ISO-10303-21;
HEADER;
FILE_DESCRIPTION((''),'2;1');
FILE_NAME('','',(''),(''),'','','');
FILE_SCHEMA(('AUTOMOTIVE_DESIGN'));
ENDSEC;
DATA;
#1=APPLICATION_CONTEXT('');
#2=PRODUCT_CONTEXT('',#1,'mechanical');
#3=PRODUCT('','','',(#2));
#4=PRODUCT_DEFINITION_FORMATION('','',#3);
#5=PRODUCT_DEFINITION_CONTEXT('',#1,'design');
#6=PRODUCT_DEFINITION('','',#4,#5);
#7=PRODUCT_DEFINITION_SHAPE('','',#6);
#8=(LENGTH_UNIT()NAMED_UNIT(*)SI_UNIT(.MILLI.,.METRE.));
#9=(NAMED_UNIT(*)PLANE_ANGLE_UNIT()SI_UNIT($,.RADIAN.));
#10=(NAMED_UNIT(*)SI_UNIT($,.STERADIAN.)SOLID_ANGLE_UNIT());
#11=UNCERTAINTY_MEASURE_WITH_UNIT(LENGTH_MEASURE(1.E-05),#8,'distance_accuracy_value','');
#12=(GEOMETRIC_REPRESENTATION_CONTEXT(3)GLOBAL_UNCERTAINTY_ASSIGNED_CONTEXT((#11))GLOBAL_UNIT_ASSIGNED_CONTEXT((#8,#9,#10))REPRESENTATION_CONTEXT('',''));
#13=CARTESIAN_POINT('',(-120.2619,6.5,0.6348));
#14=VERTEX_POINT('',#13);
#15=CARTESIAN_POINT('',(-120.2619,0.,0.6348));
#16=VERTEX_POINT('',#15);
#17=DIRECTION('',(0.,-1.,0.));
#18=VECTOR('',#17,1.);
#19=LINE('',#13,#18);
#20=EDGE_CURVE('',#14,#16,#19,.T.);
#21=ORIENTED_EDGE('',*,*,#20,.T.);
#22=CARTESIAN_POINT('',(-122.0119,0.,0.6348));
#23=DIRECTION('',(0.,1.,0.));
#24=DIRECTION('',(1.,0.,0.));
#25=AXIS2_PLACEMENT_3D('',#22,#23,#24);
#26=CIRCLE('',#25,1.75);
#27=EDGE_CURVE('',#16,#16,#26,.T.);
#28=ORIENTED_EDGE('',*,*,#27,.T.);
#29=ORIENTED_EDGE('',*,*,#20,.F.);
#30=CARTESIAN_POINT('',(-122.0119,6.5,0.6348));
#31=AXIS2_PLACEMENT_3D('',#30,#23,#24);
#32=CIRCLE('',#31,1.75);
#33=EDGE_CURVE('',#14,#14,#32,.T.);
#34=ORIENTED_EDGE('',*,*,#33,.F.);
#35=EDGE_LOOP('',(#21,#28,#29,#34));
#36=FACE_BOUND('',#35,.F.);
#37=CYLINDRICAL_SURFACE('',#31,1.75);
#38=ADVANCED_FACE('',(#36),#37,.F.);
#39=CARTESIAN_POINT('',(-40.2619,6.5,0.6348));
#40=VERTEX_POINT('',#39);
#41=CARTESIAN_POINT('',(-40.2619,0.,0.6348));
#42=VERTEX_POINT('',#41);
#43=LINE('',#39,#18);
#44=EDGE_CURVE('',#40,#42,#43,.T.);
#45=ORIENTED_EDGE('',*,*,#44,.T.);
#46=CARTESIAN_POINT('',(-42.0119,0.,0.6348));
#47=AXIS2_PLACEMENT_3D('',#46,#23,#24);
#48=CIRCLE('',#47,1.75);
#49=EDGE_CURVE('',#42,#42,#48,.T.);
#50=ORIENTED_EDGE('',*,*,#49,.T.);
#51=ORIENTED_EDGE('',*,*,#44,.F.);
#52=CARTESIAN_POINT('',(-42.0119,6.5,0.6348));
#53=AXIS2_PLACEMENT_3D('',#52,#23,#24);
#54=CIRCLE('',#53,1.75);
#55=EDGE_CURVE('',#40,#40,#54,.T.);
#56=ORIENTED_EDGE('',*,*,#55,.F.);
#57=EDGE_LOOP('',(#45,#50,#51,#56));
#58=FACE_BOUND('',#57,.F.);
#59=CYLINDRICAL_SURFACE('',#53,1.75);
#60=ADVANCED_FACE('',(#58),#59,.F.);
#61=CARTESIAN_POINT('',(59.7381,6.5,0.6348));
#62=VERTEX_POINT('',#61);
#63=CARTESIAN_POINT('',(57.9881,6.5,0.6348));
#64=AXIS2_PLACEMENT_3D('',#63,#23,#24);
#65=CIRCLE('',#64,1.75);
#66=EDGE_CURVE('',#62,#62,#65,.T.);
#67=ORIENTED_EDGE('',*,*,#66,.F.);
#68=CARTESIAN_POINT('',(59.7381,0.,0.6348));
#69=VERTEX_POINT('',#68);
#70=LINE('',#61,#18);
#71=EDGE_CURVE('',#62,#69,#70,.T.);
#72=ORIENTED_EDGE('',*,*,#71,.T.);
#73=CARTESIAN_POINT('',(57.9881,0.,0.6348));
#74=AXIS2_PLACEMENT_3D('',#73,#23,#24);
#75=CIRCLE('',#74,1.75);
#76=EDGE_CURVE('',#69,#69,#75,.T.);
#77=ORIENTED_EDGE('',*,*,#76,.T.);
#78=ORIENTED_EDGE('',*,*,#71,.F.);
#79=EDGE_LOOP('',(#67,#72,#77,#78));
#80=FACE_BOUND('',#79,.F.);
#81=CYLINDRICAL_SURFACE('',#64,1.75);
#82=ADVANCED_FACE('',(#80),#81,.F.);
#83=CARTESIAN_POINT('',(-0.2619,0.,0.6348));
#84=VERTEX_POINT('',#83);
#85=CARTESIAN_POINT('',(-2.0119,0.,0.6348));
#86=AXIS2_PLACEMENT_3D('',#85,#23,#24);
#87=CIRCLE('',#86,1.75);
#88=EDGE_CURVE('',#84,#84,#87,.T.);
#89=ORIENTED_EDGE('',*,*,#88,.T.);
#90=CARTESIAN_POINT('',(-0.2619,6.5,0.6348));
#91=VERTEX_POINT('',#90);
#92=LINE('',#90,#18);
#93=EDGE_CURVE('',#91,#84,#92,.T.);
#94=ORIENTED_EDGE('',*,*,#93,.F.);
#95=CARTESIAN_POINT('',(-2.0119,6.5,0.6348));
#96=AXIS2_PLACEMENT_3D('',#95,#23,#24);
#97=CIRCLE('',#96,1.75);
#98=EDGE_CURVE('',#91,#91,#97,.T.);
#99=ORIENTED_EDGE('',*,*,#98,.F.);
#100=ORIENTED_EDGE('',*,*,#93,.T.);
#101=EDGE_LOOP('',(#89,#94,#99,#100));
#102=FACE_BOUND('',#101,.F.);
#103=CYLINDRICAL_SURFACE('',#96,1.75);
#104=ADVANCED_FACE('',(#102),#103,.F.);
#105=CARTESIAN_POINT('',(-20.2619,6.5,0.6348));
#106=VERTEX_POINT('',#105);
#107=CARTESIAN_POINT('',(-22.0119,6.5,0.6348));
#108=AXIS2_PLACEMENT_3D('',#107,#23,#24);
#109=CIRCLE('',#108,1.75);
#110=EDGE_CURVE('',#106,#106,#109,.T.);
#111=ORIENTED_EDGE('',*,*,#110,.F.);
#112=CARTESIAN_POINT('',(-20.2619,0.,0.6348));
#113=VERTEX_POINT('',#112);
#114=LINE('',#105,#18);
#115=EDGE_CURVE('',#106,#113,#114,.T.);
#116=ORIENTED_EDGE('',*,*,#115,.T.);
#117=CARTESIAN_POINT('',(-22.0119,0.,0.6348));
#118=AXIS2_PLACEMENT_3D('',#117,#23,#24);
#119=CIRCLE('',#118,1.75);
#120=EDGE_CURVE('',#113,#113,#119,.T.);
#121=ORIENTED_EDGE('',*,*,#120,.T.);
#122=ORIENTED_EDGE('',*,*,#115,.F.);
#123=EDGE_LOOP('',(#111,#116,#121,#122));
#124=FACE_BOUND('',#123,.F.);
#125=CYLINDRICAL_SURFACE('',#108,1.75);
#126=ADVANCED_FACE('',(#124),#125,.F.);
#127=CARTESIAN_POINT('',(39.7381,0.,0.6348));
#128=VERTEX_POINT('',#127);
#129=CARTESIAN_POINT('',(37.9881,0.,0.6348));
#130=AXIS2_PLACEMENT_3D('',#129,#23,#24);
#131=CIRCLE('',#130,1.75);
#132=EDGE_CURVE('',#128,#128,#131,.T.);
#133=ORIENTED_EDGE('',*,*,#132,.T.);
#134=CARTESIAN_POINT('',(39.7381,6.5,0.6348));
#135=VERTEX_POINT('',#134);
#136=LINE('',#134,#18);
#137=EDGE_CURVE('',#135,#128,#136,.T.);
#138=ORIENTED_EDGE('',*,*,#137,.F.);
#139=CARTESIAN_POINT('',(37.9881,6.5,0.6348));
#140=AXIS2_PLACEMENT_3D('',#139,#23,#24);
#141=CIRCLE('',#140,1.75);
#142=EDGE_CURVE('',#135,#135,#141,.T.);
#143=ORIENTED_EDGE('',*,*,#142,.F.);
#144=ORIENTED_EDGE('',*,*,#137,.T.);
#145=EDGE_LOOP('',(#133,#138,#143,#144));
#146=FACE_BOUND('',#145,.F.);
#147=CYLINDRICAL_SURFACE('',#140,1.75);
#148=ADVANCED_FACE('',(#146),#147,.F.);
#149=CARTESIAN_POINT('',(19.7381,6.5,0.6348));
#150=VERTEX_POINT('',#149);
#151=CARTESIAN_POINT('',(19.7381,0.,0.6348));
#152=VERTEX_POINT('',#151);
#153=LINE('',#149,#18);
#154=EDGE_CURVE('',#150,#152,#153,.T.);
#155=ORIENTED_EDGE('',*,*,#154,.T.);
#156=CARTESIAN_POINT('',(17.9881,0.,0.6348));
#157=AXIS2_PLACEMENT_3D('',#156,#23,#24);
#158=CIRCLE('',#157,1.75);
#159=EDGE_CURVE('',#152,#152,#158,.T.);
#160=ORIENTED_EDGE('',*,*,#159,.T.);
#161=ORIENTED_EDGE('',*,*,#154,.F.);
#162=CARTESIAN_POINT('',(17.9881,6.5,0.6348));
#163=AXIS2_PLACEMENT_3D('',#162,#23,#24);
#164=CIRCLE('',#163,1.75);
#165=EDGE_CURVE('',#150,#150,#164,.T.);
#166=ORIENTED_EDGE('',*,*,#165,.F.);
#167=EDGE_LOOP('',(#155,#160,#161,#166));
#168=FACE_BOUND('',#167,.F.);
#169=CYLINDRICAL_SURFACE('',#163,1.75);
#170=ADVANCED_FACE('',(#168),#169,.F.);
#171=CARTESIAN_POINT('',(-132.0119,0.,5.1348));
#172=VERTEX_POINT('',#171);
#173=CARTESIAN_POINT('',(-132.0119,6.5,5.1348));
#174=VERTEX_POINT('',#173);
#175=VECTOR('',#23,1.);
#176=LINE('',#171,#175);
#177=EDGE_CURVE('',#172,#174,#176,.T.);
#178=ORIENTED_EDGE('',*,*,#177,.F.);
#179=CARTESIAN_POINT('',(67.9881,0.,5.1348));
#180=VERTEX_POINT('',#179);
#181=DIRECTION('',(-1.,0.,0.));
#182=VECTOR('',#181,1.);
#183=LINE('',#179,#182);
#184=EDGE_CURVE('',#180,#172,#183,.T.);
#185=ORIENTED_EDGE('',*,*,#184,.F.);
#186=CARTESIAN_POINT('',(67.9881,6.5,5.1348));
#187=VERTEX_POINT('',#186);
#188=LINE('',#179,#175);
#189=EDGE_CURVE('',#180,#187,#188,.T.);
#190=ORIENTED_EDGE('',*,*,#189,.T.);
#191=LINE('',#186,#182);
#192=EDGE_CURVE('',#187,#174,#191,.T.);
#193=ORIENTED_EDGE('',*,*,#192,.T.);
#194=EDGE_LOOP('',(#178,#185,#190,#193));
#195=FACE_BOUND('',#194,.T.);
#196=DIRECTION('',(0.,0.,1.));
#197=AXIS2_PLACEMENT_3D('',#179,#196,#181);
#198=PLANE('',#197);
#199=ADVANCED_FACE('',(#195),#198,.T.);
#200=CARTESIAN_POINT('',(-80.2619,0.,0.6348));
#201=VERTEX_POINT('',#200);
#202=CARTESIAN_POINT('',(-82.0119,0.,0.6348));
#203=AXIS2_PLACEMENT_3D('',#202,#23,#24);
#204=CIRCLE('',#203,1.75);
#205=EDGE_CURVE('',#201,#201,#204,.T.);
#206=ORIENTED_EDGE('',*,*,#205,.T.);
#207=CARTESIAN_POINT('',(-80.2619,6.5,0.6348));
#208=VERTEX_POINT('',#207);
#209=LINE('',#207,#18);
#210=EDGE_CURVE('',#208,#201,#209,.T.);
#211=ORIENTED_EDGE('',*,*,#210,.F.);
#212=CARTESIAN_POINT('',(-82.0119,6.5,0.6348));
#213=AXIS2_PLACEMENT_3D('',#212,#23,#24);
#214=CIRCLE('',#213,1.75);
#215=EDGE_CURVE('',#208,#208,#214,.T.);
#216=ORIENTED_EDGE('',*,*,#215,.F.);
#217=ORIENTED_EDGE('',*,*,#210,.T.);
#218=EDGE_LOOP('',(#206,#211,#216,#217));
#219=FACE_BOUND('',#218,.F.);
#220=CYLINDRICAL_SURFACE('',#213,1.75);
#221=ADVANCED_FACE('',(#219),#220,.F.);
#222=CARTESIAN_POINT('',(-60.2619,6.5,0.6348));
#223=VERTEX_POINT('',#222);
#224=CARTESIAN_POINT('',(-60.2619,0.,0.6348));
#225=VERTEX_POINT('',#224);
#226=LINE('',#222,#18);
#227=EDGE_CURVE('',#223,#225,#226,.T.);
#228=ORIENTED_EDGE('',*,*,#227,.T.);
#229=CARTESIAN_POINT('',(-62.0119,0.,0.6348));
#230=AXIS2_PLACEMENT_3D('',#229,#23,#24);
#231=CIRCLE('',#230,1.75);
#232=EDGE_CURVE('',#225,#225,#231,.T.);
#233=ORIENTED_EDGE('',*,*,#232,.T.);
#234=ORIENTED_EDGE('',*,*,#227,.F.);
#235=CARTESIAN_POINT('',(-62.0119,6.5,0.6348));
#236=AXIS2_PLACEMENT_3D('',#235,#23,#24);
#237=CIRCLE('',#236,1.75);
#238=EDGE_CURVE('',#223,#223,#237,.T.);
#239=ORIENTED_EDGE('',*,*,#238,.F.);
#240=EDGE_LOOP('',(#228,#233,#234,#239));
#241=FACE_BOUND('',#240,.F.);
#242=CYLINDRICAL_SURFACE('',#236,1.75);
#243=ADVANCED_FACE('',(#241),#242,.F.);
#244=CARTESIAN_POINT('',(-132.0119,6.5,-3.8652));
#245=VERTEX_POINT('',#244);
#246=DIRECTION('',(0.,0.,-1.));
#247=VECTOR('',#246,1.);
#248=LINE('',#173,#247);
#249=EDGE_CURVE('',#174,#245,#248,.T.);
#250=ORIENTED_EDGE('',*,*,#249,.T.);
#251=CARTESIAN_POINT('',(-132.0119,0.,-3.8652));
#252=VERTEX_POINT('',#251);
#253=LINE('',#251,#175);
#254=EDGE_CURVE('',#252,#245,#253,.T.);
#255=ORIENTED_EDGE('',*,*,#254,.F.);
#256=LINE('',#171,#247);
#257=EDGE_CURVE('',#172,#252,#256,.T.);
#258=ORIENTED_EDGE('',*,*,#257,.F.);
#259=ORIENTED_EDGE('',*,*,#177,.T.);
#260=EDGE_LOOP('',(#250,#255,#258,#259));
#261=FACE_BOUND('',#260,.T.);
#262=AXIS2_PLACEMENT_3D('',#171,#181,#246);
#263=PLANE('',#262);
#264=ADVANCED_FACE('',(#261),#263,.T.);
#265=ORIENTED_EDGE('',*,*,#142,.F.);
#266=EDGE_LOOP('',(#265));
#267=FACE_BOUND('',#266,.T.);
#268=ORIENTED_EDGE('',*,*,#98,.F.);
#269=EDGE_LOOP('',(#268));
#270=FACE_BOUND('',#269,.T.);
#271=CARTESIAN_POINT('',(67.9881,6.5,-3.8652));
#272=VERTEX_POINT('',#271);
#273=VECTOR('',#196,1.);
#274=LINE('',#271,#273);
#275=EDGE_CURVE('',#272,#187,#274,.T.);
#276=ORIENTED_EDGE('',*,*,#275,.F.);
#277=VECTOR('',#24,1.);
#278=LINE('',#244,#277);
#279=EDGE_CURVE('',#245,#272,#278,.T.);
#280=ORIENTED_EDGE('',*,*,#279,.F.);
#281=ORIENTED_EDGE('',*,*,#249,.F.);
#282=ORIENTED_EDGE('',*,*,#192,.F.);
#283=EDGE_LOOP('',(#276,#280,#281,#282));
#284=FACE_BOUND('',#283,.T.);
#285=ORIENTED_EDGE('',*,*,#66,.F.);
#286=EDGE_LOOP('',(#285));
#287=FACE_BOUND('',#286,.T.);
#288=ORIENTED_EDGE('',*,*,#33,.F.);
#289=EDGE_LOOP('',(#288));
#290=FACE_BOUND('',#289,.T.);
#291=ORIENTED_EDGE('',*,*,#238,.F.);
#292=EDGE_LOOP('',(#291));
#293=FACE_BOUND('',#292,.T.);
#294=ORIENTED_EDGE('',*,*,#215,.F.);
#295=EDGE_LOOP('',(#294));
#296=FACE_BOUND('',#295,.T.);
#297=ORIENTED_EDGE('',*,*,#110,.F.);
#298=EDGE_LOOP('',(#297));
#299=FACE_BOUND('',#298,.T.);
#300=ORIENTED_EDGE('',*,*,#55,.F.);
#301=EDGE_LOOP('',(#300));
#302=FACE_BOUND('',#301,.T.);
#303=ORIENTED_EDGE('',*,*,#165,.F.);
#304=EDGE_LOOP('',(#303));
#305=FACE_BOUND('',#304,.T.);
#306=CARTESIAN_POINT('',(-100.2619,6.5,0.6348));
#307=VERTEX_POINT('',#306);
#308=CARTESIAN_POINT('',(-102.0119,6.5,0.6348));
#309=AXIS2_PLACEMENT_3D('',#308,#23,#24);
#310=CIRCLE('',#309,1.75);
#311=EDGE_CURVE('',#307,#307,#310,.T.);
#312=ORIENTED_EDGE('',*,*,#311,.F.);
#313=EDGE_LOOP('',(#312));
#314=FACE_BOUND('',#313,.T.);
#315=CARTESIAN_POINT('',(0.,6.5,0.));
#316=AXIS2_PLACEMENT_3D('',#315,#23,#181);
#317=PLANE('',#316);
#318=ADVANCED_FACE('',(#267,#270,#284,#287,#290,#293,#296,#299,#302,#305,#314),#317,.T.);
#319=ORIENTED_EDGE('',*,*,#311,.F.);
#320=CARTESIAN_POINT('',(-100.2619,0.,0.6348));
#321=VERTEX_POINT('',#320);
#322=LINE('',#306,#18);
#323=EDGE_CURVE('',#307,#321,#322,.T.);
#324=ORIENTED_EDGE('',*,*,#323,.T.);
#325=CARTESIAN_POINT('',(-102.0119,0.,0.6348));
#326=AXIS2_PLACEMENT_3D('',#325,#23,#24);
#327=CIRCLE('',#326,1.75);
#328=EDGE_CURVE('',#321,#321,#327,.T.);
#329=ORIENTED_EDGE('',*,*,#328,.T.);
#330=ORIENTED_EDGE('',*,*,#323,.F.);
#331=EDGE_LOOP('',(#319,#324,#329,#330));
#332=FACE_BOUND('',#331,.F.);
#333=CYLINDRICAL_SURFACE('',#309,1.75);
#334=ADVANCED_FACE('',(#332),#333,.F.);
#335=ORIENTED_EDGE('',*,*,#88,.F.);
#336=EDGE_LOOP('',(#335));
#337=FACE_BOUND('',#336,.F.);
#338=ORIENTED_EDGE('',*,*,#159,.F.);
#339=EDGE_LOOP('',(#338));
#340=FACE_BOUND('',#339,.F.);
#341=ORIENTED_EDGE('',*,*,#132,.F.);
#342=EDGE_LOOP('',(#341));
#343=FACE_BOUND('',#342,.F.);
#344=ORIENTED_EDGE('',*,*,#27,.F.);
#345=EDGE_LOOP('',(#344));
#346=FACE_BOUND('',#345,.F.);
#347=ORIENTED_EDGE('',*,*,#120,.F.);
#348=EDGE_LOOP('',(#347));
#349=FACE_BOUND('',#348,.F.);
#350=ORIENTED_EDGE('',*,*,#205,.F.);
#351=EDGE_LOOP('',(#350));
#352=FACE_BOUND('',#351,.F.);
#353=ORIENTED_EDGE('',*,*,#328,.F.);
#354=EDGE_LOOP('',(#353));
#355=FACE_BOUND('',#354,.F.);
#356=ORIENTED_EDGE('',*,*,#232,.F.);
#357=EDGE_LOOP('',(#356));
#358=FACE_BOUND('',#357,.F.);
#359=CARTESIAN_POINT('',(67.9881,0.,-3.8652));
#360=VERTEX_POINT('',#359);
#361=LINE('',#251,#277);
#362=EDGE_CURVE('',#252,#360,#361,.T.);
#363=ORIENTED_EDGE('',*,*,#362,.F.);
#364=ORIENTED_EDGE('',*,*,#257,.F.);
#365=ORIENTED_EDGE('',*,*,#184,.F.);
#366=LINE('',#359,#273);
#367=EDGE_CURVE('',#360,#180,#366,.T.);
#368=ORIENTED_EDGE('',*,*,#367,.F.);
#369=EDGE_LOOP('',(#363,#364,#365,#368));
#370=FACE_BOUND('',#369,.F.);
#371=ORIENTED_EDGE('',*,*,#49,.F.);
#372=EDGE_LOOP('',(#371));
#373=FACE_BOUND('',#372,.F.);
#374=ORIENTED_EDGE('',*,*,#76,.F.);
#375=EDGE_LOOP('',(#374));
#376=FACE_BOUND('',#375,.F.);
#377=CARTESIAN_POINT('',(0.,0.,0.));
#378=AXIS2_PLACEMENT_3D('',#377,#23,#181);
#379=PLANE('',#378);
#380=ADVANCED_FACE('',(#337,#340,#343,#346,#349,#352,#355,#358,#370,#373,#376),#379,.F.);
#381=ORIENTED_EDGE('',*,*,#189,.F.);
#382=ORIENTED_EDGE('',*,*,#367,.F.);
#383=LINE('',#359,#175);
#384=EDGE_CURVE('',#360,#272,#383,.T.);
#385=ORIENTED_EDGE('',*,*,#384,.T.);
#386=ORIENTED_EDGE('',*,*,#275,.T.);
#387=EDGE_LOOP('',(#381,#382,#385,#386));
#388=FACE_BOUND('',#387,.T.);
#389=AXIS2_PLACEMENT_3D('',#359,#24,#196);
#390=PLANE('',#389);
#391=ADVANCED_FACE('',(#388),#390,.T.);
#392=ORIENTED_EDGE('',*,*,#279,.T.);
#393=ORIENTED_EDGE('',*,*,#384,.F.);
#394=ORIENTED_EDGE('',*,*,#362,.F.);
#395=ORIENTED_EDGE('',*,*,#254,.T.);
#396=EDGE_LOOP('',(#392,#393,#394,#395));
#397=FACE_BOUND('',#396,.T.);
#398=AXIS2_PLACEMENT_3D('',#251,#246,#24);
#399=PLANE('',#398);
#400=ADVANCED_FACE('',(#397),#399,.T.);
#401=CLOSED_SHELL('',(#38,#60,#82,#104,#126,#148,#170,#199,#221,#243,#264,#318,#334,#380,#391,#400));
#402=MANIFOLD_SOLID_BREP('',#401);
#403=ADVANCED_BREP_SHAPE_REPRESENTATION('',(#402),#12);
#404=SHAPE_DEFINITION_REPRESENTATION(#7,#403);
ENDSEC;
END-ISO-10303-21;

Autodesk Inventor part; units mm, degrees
ref_plane "YZ Plane" through (0, 0, 0) normal (1, 0, 0) x (0, 1, 0)
ref_plane "XZ Plane" through (0, 0, 0) normal (0, 1, 0) x (-1, 0, 0)
ref_plane "XY Plane" through (0, 0, 0) normal (0, 0, 1) x (1, 0, 0)
sketch "Sketch1" plane through (0, 0, 0) normal (0, 1, 0) x (-1, 0, 0)
  line L0 (132.0119, -3.8652) -> (-67.9881, -3.8652)
  line L1 (-67.9881, -3.8652) -> (-67.9881, 5.1348)
  line L2 (-67.9881, 5.1348) -> (132.0119, 5.1348)
  line L3 (132.0119, 5.1348) -> (132.0119, -3.8652)
  point P0 (0, 0)
  dimension "d0" = 200
  dimension "d1" = 9
extrude "Extrusion1" add sketch "Sketch1" along normal blind 6.5
sketch "Sketch2" plane through (0, 6.5, 0) normal (0, 1, 0) x (1, 0, 0)
  circle A0 centre (57.9881, -0.6348) radius 1.75
  line L0 (67.9881, 3.8652) -> (-132.0119, 3.8652) projected
  line L1 (67.9881, -5.1348) -> (67.9881, 3.8652) projected
  circle A1 centre (37.9881, -0.6348) radius 1.75
  circle A2 centre (17.9881, -0.6348) radius 1.75
  circle A3 centre (-2.0119, -0.6348) radius 1.75
  circle A4 centre (-22.0119, -0.6348) radius 1.75
  circle A5 centre (-42.0119, -0.6348) radius 1.75
  circle A6 centre (-62.0119, -0.6348) radius 1.75
  circle A7 centre (-82.0119, -0.6348) radius 1.75
  circle A8 centre (-102.0119, -0.6348) radius 1.75
  circle A9 centre (-122.0119, -0.6348) radius 1.75
  point P0 (0, 0)
  dimension "d4" = 3.5
  dimension "d5" = 4.5
  dimension "d6" = 10
  dimension "d9" = 20
extrude "Extrusion2" cut sketch "Sketch2" against normal through all
properties part number "MGN9x200mm_rail"
